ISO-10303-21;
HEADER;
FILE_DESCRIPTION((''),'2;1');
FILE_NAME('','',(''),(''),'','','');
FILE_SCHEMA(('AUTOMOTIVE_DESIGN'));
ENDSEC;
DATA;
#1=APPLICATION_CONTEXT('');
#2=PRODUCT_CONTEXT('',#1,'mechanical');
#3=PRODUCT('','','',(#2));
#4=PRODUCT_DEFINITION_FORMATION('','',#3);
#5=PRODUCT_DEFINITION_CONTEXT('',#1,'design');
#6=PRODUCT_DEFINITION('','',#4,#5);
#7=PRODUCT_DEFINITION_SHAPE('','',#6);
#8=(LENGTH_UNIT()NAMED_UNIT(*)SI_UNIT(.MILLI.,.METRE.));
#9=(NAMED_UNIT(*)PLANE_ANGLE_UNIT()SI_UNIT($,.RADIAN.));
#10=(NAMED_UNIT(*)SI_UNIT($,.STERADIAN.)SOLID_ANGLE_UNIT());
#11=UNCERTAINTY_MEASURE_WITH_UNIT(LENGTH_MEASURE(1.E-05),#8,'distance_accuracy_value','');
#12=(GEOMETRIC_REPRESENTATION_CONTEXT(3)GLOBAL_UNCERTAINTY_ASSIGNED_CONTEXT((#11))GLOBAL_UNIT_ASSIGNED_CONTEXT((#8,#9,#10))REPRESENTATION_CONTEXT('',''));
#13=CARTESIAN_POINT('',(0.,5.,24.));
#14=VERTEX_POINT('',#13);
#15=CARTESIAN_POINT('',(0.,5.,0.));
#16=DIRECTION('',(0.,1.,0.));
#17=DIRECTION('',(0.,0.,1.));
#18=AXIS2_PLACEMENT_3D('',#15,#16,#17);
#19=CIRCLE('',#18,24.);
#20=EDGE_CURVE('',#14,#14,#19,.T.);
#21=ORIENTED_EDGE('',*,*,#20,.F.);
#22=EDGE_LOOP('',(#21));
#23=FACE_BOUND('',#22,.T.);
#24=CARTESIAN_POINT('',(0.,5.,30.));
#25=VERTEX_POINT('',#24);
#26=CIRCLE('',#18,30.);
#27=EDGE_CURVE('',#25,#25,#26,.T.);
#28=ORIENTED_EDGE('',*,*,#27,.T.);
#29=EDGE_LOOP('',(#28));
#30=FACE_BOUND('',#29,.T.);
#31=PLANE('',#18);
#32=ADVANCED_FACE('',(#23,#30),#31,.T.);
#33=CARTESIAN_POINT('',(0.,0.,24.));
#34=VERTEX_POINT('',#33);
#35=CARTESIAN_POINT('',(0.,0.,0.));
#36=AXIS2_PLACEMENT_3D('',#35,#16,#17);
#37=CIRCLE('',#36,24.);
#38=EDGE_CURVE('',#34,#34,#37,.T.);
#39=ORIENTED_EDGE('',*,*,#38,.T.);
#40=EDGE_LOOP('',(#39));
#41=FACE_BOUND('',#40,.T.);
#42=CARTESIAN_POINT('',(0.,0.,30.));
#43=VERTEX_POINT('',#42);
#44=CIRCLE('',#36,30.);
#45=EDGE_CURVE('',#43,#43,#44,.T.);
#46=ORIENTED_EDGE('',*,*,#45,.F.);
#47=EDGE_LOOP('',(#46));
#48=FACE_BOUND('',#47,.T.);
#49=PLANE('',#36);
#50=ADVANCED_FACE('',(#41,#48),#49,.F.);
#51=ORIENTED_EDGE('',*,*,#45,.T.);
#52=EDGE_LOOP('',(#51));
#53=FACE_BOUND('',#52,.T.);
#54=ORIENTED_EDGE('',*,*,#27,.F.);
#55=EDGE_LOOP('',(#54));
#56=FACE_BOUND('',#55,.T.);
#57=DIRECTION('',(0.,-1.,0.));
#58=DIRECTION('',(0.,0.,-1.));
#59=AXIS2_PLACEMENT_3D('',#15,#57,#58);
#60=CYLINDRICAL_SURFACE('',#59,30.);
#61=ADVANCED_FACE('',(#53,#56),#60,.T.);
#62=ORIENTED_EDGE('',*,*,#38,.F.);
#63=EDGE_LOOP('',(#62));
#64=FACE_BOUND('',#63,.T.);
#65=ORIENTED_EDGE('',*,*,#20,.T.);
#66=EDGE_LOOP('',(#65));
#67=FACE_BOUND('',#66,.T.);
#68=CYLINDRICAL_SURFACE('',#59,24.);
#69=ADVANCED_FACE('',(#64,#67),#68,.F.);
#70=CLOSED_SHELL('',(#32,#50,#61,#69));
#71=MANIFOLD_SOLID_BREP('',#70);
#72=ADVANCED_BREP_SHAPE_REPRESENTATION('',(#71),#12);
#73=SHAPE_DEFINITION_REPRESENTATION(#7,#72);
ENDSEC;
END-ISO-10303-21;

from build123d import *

# Parameters (mm, degrees)
SKETCH1_R           = 30
SKETCH1_R_2         = 24
BOSS_EXTRUDE1_DEPTH = 5


with BuildPart() as part:
    # Sketch1 → Boss-Extrude1 (new body)
    with BuildSketch(Plane(origin=(0, 0, 0), x_dir=(1, 0, 0), z_dir=(0, 1, 0))):
        with Locations(Location((0, 0, 0), (0, 0, 270))):
            Circle(SKETCH1_R)
        with Locations(Location((0, 0, 0), (0, 0, 270))):
            Circle(SKETCH1_R_2, mode=Mode.SUBTRACT)
    extrude(amount=BOSS_EXTRUDE1_DEPTH)


solid = part.part
